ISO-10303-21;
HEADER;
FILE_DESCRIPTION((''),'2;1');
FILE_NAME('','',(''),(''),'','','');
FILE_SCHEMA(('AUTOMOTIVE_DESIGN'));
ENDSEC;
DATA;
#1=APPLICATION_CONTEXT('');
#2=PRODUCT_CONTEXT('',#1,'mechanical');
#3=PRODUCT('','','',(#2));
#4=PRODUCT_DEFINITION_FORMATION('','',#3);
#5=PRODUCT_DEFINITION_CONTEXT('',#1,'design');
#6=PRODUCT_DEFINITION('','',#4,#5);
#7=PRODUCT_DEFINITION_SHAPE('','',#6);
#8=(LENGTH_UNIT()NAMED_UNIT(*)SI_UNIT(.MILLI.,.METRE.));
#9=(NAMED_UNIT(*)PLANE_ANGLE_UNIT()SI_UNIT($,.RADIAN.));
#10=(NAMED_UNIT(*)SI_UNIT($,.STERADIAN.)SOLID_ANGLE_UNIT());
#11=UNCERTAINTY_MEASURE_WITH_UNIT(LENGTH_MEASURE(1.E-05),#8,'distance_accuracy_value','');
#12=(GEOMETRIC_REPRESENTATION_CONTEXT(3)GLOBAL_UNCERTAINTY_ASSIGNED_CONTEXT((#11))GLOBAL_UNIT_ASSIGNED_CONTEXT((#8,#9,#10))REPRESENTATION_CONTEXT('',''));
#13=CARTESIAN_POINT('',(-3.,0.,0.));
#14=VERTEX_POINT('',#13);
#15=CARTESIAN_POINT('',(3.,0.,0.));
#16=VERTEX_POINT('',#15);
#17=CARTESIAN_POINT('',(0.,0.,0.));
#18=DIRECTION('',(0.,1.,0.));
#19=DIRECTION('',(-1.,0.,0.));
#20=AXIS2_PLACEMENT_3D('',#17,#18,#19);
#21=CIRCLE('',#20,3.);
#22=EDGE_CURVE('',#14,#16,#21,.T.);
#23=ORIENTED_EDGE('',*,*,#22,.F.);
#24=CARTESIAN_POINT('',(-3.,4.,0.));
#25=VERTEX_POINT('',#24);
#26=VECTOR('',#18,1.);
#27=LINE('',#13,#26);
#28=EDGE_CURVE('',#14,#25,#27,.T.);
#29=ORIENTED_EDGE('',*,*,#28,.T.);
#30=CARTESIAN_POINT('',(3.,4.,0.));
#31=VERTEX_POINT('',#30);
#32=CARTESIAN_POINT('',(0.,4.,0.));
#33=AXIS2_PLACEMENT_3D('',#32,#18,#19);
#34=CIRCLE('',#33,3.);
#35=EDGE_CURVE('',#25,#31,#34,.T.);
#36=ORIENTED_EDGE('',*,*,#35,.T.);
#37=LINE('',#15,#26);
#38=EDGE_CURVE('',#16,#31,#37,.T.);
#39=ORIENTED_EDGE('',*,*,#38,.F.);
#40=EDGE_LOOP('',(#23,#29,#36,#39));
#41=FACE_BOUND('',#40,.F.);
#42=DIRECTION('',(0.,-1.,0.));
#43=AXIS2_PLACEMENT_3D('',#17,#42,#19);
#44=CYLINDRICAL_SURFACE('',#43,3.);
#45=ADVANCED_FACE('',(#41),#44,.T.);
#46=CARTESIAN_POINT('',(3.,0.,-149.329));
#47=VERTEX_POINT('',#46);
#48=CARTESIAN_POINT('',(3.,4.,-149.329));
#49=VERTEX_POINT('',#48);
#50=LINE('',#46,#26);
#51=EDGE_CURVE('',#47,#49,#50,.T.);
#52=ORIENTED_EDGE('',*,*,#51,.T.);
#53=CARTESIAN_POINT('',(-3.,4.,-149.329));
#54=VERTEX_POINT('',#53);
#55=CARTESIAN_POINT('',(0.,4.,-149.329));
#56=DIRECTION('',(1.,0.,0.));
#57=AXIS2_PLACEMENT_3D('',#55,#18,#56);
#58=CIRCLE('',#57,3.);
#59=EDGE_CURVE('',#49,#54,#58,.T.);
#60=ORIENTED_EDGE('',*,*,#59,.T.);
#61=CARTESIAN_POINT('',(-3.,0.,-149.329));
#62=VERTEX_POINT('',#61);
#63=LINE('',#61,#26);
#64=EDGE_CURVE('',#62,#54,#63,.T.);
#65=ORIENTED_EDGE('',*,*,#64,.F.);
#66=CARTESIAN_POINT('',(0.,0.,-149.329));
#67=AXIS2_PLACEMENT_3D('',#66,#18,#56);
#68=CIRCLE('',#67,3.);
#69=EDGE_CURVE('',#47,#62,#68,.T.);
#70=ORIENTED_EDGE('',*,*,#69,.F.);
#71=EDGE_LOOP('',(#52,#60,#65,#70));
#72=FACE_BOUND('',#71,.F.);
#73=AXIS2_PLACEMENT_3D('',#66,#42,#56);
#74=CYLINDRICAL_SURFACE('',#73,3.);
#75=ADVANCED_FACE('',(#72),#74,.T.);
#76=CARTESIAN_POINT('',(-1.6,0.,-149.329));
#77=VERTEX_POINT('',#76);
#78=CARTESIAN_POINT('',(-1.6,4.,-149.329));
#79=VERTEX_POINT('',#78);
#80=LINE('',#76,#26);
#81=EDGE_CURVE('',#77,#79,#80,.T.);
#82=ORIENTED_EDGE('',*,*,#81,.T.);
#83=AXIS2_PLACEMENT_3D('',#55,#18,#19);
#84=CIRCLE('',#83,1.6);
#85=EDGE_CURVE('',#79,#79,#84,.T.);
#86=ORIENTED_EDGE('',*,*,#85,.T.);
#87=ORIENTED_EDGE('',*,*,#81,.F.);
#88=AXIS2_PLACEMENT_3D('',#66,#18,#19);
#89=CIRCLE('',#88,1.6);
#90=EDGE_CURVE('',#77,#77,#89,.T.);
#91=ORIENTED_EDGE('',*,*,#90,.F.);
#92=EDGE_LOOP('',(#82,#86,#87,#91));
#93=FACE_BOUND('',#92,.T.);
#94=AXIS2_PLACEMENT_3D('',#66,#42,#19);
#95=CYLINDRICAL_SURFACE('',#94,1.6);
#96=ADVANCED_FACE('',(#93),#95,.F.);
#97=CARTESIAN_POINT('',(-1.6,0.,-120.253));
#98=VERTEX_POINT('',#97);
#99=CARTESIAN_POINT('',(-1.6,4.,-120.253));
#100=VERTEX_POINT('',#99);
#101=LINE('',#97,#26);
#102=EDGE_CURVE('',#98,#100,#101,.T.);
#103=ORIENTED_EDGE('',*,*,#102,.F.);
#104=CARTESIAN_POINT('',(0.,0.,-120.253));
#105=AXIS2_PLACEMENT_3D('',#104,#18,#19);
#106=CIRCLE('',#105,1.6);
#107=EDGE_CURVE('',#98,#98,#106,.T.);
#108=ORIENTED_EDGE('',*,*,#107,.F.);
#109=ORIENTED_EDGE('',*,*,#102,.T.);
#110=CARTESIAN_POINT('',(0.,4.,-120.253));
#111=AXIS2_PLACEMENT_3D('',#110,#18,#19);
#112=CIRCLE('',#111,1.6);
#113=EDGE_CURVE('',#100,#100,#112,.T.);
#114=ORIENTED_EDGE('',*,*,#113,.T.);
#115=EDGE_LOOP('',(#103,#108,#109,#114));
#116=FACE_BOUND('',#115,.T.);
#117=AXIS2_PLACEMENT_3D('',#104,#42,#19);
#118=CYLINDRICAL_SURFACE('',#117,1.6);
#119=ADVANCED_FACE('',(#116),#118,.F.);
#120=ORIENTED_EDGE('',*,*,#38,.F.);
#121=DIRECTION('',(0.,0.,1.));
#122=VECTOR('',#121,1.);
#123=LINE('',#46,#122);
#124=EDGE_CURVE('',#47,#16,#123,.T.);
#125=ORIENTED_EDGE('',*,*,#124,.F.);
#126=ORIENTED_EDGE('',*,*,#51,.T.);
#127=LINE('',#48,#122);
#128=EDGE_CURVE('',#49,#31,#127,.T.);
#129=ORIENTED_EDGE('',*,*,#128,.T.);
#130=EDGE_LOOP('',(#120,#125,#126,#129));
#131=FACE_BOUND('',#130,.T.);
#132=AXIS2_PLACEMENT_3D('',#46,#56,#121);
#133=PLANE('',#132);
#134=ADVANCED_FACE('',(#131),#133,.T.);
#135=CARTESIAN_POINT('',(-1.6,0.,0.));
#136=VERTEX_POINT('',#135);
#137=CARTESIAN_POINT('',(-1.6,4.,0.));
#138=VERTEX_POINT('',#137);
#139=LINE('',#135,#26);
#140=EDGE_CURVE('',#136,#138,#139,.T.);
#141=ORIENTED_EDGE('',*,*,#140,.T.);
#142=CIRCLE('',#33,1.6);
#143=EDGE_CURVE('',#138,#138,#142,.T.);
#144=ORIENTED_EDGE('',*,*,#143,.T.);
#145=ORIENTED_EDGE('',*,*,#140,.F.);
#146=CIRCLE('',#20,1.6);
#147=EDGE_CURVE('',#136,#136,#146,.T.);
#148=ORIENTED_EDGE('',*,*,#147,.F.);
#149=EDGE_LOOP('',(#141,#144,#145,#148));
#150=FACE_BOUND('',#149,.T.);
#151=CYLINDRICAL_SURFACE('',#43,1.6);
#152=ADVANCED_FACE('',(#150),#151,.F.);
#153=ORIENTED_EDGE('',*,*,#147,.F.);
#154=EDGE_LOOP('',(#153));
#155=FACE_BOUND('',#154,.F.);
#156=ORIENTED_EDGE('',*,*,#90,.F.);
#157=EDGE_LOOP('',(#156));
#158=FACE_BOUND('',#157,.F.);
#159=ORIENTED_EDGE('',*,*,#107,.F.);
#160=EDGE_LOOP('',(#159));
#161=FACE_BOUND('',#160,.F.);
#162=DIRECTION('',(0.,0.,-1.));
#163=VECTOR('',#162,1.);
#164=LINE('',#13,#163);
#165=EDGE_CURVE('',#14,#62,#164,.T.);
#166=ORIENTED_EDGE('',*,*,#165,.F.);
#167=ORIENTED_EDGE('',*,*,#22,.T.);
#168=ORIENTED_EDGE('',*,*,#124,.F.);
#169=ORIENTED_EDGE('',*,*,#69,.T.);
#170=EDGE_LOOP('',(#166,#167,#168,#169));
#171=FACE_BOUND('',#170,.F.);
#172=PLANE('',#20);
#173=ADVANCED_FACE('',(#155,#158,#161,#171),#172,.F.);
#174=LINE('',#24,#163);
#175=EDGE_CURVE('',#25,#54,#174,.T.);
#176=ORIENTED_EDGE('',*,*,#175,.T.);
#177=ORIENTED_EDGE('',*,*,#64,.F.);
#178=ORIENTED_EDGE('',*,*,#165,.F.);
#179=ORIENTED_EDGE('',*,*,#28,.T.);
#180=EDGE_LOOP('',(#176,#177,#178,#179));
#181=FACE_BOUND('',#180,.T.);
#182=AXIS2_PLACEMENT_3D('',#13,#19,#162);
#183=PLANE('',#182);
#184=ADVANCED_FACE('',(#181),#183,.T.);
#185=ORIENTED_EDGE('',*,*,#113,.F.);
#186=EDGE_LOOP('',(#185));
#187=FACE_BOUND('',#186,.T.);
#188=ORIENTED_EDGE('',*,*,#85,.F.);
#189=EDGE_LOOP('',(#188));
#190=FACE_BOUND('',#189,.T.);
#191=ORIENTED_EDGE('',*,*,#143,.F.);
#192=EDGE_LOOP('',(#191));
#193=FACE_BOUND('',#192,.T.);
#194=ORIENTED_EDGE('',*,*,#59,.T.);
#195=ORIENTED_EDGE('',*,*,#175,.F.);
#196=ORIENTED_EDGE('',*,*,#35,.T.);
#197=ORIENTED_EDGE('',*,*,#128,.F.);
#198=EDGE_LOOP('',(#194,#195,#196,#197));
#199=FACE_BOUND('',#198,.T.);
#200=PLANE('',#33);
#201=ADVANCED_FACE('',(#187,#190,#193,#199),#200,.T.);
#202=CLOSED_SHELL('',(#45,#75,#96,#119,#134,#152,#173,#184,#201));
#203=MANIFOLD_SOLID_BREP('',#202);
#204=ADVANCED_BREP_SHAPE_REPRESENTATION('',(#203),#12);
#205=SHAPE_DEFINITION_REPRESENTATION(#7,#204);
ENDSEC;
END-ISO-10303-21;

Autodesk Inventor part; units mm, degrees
ref_plane "YZ Plane" through (0, 0, 0) normal (1, 0, 0) x (0, 1, 0)
ref_plane "XZ Plane" through (0, 0, 0) normal (0, 1, 0) x (-1, 0, 0)
ref_plane "XY Plane" through (0, 0, 0) normal (0, 0, 1) x (1, 0, 0)
sketch "Sketch1" plane through (0, 0, 0) normal (0, 1, 0) x (-1, 0, 0)
  line L0 (0, 0) -> (0, -149.329) construction
  line L1 (3, 0) -> (3, -149.329)
  line L2 (-3, -149.329) -> (-3, 0)
  arc A0 (3, 0) -> (-3, 0) centre (0, 0) ccw
  arc A1 (-3, -149.329) -> (3, -149.329) centre (0, -149.329) ccw
  circle A2 centre (0, 0) radius 1.6
  circle A3 centre (0, -149.329) radius 1.6
  circle A4 centre (0, -120.253) radius 1.6
  point P0 (0, -74.6645)
  dimension "d0" = 3.2
  dimension "d1" = 3.2
  dimension "d2" = 6
  dimension "d3" = 149.329
  dimension "d14" = 3.2
  dimension "d15" = 120.253
extrude "Extrusion1" add sketch "Sketch1" along normal blind 4
